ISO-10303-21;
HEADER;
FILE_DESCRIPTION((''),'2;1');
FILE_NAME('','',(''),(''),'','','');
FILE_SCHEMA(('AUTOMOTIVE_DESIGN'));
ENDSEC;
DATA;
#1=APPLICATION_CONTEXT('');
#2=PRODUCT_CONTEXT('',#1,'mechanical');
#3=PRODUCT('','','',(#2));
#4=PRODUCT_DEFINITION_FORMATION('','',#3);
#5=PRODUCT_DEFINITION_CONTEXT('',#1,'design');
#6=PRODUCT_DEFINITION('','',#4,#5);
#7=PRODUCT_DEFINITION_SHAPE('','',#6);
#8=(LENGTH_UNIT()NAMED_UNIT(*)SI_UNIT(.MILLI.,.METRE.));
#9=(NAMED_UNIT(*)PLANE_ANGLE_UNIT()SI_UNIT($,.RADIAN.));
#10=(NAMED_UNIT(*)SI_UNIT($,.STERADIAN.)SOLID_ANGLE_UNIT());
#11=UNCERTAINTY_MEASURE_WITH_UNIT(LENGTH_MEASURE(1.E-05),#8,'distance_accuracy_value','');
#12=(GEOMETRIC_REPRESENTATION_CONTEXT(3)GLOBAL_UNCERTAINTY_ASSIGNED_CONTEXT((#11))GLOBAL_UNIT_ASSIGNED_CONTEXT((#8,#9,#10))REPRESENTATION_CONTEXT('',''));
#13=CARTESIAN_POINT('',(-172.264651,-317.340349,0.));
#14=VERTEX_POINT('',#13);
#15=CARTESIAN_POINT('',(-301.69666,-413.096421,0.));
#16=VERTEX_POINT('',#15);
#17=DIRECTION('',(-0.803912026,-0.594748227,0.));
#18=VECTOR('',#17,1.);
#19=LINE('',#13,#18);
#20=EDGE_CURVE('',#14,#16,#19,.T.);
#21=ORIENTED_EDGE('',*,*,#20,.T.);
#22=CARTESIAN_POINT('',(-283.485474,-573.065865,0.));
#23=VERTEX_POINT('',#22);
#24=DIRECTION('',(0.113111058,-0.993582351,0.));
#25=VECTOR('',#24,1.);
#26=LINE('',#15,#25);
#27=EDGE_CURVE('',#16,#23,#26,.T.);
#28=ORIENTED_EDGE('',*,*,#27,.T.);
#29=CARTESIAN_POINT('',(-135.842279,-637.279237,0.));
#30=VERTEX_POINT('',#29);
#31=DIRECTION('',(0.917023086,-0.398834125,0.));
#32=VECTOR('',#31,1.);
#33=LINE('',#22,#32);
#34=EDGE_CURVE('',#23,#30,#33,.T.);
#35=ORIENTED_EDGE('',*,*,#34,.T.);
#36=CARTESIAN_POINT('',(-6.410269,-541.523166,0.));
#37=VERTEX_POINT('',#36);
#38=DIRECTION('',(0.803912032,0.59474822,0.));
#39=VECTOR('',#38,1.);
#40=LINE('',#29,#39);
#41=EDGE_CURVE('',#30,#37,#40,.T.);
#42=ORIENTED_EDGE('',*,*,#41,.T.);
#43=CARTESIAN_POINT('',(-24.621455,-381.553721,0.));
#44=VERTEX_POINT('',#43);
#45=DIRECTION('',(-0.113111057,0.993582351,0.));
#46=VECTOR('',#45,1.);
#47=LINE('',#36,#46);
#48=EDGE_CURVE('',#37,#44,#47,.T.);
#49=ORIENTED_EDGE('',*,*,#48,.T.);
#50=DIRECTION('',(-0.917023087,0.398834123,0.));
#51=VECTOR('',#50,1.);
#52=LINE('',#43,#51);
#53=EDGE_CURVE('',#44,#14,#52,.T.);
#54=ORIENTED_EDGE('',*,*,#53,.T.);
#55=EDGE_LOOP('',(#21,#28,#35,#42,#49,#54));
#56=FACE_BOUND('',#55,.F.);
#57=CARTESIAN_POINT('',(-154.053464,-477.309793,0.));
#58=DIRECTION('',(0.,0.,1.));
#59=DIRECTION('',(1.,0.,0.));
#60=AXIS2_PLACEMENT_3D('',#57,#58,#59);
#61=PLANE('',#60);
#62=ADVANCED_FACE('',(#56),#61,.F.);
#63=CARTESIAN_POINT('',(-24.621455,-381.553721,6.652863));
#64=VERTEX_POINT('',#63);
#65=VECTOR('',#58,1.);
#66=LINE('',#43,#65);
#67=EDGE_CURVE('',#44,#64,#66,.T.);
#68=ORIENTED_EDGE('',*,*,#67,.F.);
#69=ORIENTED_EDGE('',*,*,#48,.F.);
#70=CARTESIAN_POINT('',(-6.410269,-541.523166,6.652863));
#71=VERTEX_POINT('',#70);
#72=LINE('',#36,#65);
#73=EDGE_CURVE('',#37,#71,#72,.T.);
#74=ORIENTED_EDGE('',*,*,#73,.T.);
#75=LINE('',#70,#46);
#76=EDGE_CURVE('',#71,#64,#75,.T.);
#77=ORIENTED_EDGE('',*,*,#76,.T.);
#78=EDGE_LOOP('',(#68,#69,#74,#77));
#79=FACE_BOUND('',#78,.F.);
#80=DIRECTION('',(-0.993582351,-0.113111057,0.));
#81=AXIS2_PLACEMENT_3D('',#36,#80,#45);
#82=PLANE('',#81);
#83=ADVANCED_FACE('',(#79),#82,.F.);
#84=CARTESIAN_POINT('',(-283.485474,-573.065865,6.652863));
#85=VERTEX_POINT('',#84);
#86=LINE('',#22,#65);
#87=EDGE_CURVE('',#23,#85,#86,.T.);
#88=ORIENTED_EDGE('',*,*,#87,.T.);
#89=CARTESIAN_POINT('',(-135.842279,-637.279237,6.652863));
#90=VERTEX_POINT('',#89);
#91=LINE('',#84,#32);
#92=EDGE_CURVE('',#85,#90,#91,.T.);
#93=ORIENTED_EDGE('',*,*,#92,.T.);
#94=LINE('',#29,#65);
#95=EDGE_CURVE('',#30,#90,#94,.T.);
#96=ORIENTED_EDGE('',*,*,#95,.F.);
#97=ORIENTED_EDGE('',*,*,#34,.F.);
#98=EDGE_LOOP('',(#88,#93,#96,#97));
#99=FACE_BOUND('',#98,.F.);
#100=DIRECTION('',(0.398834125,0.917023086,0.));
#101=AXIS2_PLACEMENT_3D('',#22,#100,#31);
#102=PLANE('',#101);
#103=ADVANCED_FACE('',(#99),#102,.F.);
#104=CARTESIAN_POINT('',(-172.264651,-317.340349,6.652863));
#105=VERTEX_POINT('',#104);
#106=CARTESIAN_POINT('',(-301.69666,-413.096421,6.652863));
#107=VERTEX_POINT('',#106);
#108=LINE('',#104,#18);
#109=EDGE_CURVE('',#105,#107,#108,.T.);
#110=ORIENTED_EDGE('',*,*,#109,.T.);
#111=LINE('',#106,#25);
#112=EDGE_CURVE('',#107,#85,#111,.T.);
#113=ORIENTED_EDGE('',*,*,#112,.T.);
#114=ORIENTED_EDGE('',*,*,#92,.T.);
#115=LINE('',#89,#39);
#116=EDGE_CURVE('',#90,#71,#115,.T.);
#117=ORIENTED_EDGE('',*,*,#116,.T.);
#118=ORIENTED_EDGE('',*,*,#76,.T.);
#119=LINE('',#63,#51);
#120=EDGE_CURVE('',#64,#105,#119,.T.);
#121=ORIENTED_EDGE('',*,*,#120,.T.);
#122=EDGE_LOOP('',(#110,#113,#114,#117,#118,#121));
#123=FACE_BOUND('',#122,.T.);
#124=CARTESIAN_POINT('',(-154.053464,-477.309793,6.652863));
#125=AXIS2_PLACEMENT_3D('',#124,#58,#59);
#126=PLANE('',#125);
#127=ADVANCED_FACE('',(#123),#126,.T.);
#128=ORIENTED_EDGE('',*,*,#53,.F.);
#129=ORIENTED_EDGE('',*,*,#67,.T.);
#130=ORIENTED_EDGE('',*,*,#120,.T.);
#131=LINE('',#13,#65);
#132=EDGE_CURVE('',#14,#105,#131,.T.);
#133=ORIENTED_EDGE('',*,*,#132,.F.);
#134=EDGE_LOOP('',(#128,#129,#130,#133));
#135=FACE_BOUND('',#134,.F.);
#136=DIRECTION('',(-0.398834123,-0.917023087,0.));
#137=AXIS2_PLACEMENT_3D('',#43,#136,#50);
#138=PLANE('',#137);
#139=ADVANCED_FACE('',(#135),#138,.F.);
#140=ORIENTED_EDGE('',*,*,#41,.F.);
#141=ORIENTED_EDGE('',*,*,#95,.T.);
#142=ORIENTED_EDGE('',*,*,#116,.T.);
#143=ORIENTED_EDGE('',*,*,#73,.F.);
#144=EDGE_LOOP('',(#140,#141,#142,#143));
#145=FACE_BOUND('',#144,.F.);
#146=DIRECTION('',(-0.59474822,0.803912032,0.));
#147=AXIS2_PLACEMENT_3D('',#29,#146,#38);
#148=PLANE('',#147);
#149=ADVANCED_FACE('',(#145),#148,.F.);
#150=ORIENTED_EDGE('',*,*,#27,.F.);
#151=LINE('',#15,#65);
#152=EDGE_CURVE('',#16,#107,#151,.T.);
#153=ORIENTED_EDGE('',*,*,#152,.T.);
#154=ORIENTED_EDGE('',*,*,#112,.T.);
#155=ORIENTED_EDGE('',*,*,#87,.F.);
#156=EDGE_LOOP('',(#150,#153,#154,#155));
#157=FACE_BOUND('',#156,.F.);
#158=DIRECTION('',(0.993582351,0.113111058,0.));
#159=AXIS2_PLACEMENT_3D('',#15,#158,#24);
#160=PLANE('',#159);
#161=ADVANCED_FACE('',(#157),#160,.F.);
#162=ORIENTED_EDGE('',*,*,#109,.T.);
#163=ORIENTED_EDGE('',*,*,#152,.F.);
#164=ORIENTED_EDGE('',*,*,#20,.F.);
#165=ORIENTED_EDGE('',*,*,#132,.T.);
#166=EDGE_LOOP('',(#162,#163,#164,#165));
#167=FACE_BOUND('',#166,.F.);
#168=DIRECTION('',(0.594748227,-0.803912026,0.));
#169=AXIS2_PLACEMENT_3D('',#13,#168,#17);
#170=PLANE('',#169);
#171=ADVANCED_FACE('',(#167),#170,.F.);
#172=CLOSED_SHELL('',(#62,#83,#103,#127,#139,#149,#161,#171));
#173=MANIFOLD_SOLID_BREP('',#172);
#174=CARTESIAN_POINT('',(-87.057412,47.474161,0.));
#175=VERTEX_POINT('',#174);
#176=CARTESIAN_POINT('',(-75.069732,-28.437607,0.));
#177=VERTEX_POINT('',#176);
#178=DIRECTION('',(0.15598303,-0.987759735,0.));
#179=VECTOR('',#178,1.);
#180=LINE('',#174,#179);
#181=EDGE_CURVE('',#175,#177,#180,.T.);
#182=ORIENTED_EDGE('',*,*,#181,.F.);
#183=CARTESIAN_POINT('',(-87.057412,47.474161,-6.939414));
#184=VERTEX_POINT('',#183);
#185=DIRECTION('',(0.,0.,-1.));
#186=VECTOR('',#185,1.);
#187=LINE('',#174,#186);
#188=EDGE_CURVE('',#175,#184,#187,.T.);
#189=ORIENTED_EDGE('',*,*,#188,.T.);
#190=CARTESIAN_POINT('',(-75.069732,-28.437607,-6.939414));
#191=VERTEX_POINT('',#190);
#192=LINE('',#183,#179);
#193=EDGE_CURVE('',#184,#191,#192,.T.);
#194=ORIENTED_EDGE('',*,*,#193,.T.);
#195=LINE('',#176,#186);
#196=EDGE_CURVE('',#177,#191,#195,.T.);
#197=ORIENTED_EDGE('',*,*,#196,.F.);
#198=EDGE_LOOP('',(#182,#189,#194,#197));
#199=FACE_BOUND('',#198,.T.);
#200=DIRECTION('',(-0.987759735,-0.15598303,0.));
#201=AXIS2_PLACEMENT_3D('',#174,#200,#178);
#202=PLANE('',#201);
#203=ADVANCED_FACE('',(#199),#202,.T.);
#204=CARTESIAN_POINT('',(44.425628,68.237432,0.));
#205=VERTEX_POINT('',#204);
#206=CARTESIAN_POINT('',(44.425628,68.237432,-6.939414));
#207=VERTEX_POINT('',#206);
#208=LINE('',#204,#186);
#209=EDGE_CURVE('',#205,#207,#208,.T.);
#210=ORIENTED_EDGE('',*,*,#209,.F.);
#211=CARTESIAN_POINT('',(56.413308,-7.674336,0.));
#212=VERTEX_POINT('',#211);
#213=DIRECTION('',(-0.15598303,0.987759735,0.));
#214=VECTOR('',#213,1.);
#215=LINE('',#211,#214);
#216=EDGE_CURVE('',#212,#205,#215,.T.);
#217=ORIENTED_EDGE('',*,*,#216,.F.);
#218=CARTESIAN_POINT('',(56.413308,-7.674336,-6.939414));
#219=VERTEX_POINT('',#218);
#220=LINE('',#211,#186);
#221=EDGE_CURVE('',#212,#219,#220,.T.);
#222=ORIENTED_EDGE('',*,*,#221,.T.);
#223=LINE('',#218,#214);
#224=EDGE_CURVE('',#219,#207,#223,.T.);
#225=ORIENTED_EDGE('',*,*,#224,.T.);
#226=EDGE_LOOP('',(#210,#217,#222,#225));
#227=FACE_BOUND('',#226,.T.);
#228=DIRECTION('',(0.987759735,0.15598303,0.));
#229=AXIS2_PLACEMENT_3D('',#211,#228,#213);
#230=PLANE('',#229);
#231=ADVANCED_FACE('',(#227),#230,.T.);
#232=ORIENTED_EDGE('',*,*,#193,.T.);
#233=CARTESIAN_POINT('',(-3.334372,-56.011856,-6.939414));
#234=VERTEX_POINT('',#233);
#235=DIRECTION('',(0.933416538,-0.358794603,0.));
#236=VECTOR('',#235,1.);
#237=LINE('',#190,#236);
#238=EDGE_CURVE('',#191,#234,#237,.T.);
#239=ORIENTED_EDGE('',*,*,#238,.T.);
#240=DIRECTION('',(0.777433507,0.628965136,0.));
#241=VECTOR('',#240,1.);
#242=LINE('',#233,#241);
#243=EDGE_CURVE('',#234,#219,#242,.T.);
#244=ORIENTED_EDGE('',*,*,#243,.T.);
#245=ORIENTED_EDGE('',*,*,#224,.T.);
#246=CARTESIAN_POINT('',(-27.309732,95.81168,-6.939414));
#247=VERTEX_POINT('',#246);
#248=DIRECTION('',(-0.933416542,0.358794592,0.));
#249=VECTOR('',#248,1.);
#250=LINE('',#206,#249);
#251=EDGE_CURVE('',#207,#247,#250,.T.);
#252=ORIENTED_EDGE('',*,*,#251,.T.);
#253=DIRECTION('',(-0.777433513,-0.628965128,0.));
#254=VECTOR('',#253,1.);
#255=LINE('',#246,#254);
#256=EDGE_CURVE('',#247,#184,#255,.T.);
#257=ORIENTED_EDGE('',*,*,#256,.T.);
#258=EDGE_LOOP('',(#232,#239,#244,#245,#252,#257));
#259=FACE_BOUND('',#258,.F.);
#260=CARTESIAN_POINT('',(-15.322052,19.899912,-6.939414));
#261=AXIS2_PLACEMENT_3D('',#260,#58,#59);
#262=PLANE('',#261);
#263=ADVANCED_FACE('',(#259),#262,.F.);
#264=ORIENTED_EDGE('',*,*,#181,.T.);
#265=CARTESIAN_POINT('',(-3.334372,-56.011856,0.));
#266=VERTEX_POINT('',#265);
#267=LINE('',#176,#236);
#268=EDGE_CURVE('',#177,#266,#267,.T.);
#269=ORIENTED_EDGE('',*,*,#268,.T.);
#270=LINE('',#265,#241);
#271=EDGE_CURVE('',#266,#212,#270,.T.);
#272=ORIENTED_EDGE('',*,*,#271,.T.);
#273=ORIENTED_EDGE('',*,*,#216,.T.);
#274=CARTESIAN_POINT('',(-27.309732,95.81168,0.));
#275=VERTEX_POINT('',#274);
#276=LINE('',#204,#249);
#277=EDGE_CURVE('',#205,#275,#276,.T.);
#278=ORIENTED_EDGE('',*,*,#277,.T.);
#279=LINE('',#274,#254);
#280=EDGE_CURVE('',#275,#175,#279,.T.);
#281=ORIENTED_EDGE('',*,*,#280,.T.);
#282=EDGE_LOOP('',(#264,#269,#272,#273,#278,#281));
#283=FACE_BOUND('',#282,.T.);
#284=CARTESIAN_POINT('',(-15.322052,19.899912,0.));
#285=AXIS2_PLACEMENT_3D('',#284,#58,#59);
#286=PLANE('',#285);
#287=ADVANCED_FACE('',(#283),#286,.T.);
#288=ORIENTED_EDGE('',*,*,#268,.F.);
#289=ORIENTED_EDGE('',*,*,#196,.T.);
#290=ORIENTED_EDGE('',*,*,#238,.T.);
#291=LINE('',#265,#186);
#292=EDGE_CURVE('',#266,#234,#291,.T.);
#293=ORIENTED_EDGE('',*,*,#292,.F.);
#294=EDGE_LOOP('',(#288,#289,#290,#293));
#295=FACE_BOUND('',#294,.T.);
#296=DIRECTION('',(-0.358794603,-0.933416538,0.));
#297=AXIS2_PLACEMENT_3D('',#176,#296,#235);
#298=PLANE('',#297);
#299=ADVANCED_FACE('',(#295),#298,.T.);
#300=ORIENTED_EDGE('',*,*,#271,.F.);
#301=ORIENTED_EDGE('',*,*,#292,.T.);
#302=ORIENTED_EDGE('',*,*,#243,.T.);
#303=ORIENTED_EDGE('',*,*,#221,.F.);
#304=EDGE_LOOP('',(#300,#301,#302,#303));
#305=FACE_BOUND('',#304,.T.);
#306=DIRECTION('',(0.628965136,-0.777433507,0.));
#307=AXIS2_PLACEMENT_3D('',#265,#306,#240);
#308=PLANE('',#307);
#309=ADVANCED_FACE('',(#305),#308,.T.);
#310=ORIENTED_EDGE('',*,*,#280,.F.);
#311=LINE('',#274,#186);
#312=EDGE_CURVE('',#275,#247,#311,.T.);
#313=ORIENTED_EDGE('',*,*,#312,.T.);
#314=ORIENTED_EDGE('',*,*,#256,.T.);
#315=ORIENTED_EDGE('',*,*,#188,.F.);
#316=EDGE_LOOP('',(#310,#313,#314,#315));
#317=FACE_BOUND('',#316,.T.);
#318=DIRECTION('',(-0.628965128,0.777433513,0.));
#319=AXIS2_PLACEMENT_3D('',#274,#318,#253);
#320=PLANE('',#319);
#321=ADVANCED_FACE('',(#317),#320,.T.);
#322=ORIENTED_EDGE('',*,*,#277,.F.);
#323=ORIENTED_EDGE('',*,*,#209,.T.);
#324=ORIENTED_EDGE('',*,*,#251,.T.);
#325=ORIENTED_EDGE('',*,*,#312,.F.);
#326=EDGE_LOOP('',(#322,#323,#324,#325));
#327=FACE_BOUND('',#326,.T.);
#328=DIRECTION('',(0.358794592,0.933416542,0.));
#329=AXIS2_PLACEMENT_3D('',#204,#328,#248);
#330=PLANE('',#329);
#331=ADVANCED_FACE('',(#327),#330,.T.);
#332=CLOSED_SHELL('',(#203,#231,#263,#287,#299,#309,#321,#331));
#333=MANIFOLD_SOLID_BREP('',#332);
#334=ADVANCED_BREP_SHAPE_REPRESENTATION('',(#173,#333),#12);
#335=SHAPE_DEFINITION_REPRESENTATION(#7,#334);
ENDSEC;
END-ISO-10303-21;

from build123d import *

# Parameters (mm, degrees)
F2_DEPTH = 6.939414
F4_DEPTH = 6.652863


with BuildPart() as f2:
    # F1 (on face) → F2 (new body)
    with BuildSketch(Plane.XY):
        Polygon((-75.069732, -28.437607), (-3.334372, -56.011856), (56.413308, -7.674336), (44.425628, 68.237432), (-27.309732, 95.81168), (-87.057412, 47.474161), align=None)
    extrude(amount=-F2_DEPTH)


with BuildPart() as f4:
    # F3 (on Top) → F4 (new body)
    with BuildSketch(Plane.XY):
        Polygon((-135.842279, -637.279237), (-6.410269, -541.523166), (-24.621455, -381.553721), (-172.264651, -317.340349), (-301.69666, -413.096421), (-283.485474, -573.065865), align=None)
    extrude(amount=F4_DEPTH)


solid = Compound([f2.part, f4.part])
